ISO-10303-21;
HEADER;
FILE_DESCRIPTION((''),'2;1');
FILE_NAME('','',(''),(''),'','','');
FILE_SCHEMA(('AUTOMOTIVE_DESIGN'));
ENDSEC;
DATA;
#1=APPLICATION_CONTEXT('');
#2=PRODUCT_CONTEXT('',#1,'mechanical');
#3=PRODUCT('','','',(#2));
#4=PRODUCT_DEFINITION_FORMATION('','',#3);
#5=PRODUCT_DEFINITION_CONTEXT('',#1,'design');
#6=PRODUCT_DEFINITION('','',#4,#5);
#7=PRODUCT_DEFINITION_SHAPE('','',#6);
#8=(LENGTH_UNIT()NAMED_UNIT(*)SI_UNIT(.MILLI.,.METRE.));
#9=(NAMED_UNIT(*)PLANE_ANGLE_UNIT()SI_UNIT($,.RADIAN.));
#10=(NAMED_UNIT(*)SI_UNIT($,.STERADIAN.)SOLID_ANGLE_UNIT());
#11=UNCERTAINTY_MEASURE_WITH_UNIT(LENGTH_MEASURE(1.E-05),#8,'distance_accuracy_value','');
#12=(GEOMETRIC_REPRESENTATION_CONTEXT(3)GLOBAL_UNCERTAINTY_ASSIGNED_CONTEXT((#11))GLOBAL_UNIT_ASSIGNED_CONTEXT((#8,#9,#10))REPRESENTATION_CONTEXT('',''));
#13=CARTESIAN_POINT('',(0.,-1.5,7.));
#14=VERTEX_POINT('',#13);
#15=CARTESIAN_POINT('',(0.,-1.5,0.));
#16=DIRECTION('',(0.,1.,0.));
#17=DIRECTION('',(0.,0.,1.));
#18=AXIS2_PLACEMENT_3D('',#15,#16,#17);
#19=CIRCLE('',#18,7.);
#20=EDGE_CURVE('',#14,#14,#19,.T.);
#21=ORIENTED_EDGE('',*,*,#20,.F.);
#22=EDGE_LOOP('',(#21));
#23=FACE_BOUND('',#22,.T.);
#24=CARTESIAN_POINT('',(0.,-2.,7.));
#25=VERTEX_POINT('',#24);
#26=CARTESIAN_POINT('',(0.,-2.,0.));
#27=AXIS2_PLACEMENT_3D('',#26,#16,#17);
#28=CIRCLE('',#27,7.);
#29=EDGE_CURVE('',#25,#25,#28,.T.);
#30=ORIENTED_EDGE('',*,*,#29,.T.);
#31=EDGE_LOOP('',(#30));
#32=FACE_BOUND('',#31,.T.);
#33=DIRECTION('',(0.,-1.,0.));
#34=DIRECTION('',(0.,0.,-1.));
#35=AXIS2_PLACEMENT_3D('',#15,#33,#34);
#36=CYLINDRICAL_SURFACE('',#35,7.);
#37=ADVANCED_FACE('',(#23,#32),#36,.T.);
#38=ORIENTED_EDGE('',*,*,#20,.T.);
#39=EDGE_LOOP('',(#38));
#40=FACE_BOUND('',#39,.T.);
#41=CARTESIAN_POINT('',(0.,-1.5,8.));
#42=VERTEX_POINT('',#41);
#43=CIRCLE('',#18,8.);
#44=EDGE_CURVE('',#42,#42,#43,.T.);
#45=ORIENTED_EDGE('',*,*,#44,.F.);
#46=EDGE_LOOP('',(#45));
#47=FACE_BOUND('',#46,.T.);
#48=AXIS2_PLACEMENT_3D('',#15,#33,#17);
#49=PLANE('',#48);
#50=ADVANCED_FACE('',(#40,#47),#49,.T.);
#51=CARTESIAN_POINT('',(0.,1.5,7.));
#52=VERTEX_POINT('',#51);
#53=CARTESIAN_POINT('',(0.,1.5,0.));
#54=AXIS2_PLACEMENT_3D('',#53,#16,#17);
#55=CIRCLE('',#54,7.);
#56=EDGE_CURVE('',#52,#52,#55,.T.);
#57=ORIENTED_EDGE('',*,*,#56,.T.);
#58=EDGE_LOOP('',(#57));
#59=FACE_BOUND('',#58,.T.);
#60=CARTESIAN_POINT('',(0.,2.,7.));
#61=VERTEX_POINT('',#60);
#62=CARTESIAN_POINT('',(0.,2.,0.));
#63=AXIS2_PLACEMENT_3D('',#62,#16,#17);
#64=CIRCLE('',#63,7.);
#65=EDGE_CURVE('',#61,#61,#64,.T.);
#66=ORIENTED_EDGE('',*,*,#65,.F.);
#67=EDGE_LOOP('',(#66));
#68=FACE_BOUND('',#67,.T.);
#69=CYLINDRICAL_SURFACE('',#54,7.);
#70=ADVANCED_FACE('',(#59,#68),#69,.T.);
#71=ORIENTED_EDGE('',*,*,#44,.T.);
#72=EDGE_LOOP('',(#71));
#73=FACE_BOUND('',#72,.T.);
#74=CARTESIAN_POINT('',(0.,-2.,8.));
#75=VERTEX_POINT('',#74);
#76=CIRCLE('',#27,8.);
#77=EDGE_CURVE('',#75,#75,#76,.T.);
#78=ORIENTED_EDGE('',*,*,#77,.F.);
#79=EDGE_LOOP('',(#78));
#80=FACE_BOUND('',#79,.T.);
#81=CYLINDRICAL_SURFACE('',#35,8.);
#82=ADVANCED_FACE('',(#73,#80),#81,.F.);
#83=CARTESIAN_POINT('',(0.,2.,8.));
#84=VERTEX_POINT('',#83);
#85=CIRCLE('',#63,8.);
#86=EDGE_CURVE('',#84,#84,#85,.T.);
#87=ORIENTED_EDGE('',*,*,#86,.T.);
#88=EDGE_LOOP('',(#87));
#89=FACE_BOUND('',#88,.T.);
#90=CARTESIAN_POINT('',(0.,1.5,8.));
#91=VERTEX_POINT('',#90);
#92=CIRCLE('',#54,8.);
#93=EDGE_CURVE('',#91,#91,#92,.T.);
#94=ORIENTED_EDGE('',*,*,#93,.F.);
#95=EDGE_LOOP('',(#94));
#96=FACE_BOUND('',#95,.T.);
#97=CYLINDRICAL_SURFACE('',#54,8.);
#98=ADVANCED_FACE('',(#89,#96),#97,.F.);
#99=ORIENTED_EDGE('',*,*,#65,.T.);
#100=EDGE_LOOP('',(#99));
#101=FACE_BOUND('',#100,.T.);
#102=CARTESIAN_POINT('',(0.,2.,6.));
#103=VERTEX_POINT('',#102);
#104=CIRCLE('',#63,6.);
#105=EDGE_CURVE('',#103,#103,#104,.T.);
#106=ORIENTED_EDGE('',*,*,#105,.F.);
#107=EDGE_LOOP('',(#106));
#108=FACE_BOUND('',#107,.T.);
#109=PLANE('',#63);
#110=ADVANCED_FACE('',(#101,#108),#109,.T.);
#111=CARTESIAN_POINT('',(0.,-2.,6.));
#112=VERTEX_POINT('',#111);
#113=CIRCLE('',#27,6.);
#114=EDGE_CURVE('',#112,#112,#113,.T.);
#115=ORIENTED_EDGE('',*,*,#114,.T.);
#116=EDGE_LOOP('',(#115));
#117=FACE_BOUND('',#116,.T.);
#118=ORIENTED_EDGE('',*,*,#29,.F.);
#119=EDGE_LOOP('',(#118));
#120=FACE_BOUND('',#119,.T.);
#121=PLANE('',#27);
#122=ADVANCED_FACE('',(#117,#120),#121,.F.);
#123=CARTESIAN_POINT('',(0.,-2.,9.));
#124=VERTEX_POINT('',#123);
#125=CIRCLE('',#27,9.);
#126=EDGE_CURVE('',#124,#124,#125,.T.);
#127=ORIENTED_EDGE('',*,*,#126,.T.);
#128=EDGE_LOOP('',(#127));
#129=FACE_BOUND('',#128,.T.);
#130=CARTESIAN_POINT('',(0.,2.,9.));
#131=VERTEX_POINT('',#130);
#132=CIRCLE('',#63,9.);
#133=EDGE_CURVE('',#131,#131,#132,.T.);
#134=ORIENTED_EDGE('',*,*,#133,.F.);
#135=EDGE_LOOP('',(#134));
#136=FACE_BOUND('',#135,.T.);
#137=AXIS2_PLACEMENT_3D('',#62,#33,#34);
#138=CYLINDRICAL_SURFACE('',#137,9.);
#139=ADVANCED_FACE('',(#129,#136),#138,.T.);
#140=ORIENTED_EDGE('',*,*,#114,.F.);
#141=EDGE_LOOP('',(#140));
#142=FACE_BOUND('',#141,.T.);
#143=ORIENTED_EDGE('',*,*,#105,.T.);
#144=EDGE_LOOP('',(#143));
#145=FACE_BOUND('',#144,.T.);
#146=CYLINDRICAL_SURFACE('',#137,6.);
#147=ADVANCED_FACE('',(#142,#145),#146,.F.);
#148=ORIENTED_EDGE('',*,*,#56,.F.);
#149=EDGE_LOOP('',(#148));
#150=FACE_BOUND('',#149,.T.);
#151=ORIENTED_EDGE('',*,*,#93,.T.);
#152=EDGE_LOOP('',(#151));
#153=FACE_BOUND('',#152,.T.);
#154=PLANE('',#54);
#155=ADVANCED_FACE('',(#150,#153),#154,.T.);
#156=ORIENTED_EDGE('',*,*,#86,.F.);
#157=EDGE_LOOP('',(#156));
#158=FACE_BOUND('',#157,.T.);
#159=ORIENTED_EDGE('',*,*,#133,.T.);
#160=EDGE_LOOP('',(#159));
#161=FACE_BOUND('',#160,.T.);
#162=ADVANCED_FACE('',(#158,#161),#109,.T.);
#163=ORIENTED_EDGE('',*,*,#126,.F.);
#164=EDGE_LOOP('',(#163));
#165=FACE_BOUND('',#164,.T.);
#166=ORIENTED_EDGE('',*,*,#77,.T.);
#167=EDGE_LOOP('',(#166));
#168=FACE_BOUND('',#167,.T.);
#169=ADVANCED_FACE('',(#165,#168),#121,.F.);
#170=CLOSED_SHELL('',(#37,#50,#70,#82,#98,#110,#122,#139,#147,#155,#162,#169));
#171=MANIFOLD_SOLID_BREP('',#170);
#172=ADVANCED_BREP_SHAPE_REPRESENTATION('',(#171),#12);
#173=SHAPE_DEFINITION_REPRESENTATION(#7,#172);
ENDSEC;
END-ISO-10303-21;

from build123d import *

# Parameters (mm, degrees)
SKETCH_1_R          = 9
SKETCH_1_R_2        = 6
EXTRUDE_1_DEPTH     = 2
SKETCH_2_R          = 8
SKETCH_2_R_2        = 7
CUT_EXTRUDE_1_DEPTH = 0.5


with BuildPart() as part:
    # 草图1 → 凸台-拉伸1 (new, symmetric)
    with BuildSketch(Plane(origin=(0, 0, 0), x_dir=(1, 0, 0), z_dir=(0, 1, 0))):
        with Locations(Location((0, 0, 0), (0, 0, 270))):
            Circle(SKETCH_1_R)
        with Locations(Location((0, 0, 0), (0, 0, 270))):
            Circle(SKETCH_1_R_2, mode=Mode.SUBTRACT)
    extrude(amount=EXTRUDE_1_DEPTH, both=True)

    # 草图2 → 切除-拉伸1 (cut)
    with BuildSketch(Plane(origin=(0, 2, 0), x_dir=(1, 0, 0), z_dir=(0, 1, 0))):
        with Locations(Location((0, 0, 0), (0, 0, 270))):
            Circle(SKETCH_2_R)
        with Locations(Location((0, 0, 0), (0, 0, 270))):
            Circle(SKETCH_2_R_2, mode=Mode.SUBTRACT)
    cut_extrude_1 = extrude(amount=-CUT_EXTRUDE_1_DEPTH, mode=Mode.SUBTRACT)

    # 镜向1: 切除-拉伸1 across plane
    add(cut_extrude_1.mirror(Plane.ZX), mode=Mode.SUBTRACT)


solid = part.part
